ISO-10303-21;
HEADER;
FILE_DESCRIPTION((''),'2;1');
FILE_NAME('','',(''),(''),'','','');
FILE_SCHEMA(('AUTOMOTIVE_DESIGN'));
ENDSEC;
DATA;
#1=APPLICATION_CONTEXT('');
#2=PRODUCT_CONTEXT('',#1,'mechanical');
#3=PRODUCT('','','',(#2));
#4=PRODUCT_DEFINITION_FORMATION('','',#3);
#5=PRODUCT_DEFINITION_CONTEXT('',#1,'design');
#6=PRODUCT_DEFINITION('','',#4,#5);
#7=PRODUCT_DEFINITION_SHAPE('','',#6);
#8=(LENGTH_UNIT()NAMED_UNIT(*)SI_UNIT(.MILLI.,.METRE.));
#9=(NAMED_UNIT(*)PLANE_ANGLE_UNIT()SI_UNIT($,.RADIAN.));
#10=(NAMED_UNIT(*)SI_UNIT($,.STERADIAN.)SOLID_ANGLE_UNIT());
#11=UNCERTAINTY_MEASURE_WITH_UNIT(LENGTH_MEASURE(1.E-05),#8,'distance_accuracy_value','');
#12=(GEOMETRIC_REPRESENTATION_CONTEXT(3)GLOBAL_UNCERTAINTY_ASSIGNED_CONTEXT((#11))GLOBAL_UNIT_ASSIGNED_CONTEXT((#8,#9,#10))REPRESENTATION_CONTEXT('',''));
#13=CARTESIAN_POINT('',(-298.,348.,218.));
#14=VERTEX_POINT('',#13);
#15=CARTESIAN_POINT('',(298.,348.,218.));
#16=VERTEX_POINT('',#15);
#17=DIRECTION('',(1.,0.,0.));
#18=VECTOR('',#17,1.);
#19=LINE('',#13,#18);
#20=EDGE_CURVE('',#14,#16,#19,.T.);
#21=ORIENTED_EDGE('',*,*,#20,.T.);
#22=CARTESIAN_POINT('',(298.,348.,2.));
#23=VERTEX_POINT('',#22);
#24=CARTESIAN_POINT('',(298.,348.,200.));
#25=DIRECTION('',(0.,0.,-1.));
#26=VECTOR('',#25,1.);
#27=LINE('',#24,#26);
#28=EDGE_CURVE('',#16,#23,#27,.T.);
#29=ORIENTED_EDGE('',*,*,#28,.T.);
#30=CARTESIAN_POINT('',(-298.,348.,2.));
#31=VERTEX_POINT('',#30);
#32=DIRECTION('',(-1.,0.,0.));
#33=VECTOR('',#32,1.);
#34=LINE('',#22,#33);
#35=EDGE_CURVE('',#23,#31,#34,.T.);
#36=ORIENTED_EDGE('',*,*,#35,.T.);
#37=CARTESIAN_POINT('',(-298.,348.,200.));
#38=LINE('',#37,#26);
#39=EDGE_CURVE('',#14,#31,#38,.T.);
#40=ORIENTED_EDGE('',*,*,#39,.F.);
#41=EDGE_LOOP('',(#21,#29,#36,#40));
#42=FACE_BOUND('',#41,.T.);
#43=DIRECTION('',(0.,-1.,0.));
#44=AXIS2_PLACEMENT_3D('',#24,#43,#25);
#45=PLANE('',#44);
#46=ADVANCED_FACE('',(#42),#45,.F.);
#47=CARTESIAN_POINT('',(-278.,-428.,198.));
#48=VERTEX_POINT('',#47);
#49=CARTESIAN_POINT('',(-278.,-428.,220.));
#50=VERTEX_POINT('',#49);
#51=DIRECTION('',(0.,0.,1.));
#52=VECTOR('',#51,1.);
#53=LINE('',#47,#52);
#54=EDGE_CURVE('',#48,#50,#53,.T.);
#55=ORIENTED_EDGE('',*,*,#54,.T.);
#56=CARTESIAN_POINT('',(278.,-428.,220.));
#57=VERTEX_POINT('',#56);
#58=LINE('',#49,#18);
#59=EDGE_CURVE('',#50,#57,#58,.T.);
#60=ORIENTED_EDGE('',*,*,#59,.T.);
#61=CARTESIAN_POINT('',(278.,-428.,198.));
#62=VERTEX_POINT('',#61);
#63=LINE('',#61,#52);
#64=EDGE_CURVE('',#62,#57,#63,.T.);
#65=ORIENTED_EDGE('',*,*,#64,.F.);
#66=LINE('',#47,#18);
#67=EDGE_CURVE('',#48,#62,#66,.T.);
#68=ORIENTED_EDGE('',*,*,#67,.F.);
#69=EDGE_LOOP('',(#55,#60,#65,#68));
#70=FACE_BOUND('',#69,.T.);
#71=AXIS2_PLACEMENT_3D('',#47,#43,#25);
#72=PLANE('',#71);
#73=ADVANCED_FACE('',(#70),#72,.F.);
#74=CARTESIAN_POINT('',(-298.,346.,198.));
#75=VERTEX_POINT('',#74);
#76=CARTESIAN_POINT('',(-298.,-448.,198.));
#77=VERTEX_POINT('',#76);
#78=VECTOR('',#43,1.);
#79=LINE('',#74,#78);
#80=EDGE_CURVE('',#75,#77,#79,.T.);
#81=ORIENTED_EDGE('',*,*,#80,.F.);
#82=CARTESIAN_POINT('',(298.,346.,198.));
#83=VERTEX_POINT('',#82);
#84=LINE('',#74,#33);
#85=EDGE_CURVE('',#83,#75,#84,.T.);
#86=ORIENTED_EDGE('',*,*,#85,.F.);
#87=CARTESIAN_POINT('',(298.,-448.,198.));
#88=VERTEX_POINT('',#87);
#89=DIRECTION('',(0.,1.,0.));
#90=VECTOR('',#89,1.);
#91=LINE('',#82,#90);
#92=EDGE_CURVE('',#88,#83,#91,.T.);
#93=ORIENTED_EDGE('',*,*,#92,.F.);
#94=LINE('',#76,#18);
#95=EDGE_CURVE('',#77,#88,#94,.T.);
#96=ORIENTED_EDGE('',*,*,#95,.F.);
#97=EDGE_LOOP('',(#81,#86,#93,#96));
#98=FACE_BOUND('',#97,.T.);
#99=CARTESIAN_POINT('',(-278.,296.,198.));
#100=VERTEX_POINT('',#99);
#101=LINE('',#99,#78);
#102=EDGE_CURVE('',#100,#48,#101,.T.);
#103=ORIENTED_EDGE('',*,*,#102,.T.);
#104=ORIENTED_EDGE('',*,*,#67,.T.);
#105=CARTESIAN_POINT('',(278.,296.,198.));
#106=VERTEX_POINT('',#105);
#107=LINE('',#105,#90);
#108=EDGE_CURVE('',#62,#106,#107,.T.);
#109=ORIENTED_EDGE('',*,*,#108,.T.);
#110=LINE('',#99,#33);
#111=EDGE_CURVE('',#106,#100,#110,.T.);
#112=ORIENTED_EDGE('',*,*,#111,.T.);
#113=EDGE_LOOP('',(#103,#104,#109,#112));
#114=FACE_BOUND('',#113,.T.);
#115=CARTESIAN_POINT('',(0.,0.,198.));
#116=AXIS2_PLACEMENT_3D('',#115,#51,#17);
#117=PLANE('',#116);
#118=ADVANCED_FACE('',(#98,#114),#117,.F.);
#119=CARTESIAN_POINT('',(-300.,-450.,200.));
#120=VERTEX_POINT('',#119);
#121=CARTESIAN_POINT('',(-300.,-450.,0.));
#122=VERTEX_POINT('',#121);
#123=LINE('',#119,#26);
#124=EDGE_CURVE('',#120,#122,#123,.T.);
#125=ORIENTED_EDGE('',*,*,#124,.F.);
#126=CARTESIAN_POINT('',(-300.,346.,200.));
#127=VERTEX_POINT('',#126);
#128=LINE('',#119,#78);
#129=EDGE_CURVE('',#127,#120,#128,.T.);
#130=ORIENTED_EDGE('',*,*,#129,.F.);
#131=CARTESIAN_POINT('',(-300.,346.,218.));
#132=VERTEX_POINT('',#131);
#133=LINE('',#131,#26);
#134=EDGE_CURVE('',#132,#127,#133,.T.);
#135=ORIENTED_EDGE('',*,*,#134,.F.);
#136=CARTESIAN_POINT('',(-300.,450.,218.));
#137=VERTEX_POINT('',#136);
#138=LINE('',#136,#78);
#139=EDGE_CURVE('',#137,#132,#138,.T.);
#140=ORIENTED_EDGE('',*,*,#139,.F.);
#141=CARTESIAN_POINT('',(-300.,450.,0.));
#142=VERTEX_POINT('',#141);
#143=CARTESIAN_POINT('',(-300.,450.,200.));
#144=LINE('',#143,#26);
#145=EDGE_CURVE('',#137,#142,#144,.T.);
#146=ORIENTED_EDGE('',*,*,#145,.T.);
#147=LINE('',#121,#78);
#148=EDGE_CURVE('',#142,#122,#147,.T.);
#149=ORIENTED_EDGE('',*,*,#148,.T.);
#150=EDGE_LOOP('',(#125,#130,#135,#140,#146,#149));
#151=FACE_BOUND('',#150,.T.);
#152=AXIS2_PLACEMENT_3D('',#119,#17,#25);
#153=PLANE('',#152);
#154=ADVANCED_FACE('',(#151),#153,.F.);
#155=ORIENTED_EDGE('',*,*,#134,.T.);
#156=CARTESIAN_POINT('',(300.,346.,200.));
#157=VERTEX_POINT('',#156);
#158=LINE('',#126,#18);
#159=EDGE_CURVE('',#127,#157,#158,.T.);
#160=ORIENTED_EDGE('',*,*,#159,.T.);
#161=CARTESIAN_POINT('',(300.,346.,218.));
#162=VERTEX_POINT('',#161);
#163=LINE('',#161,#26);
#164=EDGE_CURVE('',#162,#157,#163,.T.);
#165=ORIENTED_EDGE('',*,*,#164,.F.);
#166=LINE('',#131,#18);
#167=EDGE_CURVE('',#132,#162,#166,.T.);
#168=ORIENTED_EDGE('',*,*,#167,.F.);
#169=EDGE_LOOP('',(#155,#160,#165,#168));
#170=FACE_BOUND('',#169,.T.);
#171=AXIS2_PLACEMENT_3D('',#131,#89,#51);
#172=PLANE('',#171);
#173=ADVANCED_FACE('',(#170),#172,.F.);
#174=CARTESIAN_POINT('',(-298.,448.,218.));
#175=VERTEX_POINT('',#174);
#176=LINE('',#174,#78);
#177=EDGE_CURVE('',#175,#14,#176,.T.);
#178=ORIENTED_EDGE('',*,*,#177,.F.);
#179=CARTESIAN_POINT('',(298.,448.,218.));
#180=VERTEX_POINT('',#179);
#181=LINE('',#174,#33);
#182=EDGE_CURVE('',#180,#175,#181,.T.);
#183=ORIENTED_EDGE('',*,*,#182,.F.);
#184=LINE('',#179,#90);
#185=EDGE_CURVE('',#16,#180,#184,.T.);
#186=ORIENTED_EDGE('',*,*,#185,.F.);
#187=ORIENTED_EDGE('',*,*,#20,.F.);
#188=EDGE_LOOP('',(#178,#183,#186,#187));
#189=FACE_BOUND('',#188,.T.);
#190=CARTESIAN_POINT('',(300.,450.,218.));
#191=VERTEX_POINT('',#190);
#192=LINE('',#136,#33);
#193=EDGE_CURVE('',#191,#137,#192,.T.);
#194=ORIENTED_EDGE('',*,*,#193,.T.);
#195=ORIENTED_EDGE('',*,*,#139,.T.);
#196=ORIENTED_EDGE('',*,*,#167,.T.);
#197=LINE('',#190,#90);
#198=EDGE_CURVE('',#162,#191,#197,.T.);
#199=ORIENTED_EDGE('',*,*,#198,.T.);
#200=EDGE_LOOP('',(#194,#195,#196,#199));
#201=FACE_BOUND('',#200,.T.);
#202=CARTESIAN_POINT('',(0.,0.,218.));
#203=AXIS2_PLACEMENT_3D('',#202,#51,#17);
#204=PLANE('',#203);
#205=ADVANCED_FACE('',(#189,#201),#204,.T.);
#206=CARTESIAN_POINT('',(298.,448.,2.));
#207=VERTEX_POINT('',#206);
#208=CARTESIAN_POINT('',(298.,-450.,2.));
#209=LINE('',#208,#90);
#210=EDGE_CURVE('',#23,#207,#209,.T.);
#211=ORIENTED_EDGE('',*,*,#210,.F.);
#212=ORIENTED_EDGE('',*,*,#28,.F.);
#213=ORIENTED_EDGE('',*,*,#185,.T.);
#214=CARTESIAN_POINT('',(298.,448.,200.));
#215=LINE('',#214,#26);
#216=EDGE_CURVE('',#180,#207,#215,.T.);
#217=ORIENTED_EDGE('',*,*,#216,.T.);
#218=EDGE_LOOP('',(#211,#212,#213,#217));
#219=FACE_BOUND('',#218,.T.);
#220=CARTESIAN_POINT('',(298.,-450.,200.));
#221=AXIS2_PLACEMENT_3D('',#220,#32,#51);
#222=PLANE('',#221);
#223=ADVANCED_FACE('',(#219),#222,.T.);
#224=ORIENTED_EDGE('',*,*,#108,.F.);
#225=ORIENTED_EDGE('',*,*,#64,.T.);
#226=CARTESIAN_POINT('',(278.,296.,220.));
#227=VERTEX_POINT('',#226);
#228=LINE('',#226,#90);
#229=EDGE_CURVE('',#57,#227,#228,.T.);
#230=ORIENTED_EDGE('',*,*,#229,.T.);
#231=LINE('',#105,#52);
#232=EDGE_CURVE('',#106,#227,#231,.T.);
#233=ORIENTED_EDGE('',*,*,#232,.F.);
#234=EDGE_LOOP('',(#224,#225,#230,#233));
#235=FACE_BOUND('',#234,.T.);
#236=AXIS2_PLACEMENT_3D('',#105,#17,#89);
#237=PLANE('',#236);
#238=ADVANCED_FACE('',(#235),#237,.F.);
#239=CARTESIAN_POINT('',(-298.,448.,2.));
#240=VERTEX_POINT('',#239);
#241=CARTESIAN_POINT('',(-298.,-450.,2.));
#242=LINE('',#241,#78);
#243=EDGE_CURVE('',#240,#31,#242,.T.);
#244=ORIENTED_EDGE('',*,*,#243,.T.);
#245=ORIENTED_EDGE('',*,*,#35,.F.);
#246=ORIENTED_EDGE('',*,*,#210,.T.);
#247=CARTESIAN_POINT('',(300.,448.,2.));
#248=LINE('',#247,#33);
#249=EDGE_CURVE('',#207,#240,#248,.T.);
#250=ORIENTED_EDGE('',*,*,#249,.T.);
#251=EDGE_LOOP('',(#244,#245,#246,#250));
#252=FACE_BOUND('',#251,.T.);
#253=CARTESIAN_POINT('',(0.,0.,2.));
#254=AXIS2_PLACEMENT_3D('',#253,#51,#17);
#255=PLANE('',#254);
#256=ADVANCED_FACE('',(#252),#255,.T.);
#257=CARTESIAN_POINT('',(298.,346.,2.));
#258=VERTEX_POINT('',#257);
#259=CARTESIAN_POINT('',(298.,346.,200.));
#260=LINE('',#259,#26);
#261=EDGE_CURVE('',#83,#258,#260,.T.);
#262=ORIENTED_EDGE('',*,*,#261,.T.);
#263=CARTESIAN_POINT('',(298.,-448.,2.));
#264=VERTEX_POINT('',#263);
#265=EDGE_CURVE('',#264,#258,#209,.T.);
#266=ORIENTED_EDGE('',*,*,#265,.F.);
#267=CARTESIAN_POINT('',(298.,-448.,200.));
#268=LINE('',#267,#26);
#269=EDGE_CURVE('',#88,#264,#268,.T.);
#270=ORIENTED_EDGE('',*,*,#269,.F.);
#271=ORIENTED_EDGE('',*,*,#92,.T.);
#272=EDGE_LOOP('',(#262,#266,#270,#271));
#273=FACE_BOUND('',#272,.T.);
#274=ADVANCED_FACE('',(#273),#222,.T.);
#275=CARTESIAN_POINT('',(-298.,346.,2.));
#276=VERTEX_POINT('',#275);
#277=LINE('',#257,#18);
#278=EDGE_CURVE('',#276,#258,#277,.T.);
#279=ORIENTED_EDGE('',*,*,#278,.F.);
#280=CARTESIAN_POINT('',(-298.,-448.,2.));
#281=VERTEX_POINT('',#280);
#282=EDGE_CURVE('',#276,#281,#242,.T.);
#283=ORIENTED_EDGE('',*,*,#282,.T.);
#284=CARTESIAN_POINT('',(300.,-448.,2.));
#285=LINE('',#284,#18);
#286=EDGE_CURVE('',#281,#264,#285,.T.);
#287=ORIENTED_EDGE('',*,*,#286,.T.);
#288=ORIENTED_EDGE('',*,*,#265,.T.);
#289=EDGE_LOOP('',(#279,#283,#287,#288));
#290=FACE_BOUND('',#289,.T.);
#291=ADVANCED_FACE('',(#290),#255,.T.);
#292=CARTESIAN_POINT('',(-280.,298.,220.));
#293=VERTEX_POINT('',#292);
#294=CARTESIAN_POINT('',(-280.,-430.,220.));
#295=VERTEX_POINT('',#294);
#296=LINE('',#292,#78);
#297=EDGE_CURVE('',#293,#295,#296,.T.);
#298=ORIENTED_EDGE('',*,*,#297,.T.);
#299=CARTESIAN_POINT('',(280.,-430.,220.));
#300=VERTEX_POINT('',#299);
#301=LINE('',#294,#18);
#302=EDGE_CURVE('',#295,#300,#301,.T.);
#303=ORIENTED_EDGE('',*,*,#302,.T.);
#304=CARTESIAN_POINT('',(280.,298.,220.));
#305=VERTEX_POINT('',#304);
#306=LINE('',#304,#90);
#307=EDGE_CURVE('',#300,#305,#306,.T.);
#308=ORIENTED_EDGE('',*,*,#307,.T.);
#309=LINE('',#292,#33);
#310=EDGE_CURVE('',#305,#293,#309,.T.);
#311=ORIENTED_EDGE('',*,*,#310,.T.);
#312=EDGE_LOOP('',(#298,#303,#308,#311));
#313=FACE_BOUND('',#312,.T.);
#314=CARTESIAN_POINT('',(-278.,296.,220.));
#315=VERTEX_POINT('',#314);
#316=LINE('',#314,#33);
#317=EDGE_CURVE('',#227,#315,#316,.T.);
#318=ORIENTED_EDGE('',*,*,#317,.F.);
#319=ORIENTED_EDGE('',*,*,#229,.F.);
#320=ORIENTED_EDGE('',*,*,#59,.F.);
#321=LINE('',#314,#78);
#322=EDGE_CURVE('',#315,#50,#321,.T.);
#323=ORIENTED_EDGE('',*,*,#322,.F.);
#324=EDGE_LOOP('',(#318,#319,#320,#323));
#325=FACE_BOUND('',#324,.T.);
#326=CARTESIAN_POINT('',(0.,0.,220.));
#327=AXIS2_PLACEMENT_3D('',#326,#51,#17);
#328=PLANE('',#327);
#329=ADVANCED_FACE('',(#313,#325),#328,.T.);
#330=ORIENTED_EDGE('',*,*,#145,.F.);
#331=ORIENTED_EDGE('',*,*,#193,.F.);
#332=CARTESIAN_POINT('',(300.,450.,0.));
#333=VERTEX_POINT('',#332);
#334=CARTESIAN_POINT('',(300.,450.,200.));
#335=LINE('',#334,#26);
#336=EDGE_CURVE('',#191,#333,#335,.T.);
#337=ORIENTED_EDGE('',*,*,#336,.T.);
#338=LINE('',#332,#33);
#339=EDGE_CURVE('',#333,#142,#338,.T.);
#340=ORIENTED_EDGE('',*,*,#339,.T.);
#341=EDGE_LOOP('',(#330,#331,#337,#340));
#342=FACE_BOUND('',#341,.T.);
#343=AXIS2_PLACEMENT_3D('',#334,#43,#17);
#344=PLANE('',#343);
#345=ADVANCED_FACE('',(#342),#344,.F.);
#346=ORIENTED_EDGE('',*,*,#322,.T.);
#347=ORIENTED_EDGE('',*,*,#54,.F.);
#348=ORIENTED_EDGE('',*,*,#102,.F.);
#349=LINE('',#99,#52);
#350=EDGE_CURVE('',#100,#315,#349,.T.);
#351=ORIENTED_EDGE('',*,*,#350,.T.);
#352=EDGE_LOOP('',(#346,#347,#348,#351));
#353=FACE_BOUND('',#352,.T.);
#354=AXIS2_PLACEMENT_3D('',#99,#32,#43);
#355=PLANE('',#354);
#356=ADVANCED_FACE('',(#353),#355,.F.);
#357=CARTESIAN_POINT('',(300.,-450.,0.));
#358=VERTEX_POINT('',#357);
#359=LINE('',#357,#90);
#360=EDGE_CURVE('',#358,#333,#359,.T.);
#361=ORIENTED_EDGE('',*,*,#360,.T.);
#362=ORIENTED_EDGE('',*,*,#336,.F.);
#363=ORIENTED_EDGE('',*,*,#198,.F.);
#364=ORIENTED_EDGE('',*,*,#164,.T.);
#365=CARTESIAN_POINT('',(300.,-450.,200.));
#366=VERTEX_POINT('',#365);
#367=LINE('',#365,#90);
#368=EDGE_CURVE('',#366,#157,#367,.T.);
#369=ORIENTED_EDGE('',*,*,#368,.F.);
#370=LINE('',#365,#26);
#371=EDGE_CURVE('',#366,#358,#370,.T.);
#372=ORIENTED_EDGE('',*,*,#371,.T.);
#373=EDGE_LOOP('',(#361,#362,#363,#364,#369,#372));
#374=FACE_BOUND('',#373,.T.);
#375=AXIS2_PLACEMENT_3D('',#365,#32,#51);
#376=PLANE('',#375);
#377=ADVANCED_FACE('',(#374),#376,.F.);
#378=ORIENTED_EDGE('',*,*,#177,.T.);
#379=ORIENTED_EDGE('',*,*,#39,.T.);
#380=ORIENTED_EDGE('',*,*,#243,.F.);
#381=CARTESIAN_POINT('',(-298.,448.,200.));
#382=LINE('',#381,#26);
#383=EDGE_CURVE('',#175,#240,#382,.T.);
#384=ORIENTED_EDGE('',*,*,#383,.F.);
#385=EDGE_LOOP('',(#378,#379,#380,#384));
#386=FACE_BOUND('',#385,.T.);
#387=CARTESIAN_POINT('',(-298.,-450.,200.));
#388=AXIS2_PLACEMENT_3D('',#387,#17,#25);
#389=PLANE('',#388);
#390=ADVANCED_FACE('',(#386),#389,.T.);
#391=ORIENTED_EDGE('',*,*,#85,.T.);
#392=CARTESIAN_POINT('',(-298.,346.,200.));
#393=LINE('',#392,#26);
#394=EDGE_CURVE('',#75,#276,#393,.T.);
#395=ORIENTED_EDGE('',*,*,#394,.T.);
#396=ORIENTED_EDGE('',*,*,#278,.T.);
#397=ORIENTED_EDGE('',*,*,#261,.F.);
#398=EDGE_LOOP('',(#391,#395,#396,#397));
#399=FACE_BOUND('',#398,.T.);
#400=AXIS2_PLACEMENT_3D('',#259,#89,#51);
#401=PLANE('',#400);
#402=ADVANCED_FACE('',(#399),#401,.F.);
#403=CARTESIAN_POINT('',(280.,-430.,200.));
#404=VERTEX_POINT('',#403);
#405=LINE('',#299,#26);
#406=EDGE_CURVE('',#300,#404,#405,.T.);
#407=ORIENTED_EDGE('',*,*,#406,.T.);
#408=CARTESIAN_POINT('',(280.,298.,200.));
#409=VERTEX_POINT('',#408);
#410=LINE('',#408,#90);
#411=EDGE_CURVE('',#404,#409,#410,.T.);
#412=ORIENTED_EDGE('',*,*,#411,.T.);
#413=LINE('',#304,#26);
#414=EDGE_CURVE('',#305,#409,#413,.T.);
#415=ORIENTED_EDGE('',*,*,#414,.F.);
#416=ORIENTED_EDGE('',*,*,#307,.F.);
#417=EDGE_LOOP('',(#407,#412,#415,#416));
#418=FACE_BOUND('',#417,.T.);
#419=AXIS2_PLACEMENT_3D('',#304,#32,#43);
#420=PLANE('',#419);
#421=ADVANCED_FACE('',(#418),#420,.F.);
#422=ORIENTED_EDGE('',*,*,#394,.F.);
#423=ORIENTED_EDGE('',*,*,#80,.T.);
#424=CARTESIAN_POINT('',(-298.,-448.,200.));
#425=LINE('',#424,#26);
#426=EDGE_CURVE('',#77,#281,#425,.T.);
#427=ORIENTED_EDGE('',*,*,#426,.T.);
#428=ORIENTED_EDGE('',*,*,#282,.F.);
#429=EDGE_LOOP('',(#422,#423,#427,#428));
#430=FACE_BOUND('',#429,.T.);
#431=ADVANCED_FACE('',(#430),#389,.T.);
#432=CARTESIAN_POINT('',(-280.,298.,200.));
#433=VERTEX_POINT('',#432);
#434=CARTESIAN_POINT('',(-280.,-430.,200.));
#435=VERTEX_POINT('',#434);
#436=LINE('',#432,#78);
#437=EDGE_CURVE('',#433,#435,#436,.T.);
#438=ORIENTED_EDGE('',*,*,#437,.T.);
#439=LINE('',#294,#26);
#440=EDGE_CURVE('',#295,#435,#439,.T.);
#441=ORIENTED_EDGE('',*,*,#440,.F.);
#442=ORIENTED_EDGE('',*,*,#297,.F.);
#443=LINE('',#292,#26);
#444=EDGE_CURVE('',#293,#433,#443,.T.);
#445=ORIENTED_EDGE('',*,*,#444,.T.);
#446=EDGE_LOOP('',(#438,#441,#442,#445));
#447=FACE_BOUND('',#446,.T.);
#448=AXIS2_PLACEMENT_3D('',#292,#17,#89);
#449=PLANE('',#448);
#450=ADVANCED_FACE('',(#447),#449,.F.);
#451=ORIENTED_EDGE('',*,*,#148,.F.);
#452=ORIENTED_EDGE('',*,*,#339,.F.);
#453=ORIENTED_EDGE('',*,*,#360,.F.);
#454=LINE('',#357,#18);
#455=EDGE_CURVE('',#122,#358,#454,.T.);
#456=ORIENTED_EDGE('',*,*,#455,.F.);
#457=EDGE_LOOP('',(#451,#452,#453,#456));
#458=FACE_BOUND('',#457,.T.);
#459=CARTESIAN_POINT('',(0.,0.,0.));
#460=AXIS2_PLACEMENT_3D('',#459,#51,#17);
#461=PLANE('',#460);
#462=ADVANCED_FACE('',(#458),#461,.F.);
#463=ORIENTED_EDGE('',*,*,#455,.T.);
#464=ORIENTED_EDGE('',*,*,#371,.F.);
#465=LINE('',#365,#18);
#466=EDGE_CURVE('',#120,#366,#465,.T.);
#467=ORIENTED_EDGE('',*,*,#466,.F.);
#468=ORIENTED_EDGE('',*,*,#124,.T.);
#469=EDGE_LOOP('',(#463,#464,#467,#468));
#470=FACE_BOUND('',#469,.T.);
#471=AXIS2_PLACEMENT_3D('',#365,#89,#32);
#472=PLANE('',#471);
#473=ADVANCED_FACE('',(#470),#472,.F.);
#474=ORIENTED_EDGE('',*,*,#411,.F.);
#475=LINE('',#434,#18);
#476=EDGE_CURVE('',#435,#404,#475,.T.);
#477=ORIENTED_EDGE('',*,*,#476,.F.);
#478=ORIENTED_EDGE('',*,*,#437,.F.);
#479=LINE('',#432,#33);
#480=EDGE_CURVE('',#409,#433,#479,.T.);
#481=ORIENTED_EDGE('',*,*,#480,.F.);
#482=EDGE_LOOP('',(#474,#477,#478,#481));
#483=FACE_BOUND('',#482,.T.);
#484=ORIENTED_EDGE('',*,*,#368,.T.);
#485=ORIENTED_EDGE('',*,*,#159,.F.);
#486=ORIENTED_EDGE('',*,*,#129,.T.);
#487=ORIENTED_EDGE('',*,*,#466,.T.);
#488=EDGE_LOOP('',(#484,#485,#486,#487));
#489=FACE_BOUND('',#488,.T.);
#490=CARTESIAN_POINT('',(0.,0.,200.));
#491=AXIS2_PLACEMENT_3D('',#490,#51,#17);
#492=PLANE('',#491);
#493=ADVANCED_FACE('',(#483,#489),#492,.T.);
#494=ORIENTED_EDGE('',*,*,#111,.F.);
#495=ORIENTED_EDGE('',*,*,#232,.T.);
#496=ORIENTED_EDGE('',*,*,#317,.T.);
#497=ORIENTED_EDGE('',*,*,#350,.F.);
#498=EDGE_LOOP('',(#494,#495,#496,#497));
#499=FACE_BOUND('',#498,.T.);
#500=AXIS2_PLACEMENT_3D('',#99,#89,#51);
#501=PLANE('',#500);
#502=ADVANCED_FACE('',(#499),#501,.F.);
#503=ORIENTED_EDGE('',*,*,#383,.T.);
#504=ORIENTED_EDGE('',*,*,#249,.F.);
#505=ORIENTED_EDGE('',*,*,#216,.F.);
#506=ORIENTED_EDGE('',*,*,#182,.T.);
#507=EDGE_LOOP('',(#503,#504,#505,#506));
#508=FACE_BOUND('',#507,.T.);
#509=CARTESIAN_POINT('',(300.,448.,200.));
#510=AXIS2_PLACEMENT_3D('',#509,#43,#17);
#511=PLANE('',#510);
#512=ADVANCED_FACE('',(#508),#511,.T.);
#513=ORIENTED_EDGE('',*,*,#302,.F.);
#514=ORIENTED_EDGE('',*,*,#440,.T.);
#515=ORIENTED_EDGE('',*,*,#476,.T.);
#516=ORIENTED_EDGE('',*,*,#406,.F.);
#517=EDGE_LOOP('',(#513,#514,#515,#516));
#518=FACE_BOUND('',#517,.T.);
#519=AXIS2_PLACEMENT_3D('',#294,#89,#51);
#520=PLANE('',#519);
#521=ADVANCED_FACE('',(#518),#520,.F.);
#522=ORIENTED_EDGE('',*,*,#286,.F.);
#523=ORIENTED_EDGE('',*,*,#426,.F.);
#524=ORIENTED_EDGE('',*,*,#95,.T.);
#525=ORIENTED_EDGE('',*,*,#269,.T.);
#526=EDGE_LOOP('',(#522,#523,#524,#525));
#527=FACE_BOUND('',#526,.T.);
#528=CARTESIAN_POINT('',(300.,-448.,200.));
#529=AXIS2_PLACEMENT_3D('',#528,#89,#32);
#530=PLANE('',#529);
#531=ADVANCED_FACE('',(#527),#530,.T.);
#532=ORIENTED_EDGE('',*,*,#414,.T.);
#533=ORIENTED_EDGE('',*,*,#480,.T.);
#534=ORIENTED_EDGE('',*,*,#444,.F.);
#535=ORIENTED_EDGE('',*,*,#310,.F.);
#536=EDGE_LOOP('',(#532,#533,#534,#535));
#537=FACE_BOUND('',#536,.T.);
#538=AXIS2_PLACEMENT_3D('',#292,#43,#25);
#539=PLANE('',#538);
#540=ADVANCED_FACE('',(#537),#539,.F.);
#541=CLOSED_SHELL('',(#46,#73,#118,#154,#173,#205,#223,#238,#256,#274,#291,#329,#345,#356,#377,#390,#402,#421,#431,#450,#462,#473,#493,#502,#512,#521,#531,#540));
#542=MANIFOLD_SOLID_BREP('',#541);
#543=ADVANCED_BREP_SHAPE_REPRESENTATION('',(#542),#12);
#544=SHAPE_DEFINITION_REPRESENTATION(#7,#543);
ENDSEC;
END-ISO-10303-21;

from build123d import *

# Parameters (mm, degrees)
SKETCH1_W           = 600
SKETCH1_H           = 900
BOSS_EXTRUDE1_DEPTH = 200
SHELL1_T            = -2
SKETCH2_W           = 596
SKETCH2_H           = 2
BOSS_EXTRUDE2_DEPTH = 198
SKETCH3_W           = 596
SKETCH3_H           = 794
SKETCH3_W_2         = 556
SKETCH3_H_2         = 724
BOSS_EXTRUDE3_DEPTH = 2
SKETCH4_W           = 560
SKETCH4_H           = 728
SKETCH4_W_2         = 556
SKETCH4_H_2         = 724
BOSS_EXTRUDE4_DEPTH = 20
SKETCH5_W           = 600
SKETCH5_H           = 104
SKETCH5_W_2         = 596
SKETCH5_H_2         = 100
BOSS_EXTRUDE5_DEPTH = 18


with BuildPart() as part:
    # Sketch1 → Boss-Extrude1 (new body)
    with BuildSketch(Plane.XY):
        Rectangle(SKETCH1_W, SKETCH1_H)
    extrude(amount=BOSS_EXTRUDE1_DEPTH)

    # Shell1
    shell1_openings = [part.faces().sort_by_distance(p)[0] for p in [
        (0, 0, 200),
    ]]
    offset(amount=SHELL1_T, openings=shell1_openings, kind=Kind.INTERSECTION)

    # Sketch2 → Boss-Extrude2 (add)
    with BuildSketch(Plane.XY.offset(2)):
        with Locations((0, 347)):
            Rectangle(SKETCH2_W, SKETCH2_H)
    extrude(amount=BOSS_EXTRUDE2_DEPTH)

    # Sketch3 → Boss-Extrude3 (add)
    with BuildSketch(Plane.XY.offset(200)):
        with Locations((0, -51)):
            Rectangle(SKETCH3_W, SKETCH3_H)
        with Locations((0, -66)):
            Rectangle(SKETCH3_W_2, SKETCH3_H_2, mode=Mode.SUBTRACT)
    extrude(amount=-BOSS_EXTRUDE3_DEPTH)

    # Sketch4 → Boss-Extrude4 (add)
    with BuildSketch(Plane.XY.offset(200)):
        with Locations((0, -66)):
            Rectangle(SKETCH4_W, SKETCH4_H)
        with Locations((0, -66)):
            Rectangle(SKETCH4_W_2, SKETCH4_H_2, mode=Mode.SUBTRACT)
    extrude(amount=BOSS_EXTRUDE4_DEPTH)

    # Sketch5 → Boss-Extrude5 (add)
    with BuildSketch(Plane.XY.offset(200)):
        with Locations((0, 398)):
            Rectangle(SKETCH5_W, SKETCH5_H)
        with Locations((0, 398)):
            Rectangle(SKETCH5_W_2, SKETCH5_H_2, mode=Mode.SUBTRACT)
    extrude(amount=BOSS_EXTRUDE5_DEPTH)


solid = part.part
